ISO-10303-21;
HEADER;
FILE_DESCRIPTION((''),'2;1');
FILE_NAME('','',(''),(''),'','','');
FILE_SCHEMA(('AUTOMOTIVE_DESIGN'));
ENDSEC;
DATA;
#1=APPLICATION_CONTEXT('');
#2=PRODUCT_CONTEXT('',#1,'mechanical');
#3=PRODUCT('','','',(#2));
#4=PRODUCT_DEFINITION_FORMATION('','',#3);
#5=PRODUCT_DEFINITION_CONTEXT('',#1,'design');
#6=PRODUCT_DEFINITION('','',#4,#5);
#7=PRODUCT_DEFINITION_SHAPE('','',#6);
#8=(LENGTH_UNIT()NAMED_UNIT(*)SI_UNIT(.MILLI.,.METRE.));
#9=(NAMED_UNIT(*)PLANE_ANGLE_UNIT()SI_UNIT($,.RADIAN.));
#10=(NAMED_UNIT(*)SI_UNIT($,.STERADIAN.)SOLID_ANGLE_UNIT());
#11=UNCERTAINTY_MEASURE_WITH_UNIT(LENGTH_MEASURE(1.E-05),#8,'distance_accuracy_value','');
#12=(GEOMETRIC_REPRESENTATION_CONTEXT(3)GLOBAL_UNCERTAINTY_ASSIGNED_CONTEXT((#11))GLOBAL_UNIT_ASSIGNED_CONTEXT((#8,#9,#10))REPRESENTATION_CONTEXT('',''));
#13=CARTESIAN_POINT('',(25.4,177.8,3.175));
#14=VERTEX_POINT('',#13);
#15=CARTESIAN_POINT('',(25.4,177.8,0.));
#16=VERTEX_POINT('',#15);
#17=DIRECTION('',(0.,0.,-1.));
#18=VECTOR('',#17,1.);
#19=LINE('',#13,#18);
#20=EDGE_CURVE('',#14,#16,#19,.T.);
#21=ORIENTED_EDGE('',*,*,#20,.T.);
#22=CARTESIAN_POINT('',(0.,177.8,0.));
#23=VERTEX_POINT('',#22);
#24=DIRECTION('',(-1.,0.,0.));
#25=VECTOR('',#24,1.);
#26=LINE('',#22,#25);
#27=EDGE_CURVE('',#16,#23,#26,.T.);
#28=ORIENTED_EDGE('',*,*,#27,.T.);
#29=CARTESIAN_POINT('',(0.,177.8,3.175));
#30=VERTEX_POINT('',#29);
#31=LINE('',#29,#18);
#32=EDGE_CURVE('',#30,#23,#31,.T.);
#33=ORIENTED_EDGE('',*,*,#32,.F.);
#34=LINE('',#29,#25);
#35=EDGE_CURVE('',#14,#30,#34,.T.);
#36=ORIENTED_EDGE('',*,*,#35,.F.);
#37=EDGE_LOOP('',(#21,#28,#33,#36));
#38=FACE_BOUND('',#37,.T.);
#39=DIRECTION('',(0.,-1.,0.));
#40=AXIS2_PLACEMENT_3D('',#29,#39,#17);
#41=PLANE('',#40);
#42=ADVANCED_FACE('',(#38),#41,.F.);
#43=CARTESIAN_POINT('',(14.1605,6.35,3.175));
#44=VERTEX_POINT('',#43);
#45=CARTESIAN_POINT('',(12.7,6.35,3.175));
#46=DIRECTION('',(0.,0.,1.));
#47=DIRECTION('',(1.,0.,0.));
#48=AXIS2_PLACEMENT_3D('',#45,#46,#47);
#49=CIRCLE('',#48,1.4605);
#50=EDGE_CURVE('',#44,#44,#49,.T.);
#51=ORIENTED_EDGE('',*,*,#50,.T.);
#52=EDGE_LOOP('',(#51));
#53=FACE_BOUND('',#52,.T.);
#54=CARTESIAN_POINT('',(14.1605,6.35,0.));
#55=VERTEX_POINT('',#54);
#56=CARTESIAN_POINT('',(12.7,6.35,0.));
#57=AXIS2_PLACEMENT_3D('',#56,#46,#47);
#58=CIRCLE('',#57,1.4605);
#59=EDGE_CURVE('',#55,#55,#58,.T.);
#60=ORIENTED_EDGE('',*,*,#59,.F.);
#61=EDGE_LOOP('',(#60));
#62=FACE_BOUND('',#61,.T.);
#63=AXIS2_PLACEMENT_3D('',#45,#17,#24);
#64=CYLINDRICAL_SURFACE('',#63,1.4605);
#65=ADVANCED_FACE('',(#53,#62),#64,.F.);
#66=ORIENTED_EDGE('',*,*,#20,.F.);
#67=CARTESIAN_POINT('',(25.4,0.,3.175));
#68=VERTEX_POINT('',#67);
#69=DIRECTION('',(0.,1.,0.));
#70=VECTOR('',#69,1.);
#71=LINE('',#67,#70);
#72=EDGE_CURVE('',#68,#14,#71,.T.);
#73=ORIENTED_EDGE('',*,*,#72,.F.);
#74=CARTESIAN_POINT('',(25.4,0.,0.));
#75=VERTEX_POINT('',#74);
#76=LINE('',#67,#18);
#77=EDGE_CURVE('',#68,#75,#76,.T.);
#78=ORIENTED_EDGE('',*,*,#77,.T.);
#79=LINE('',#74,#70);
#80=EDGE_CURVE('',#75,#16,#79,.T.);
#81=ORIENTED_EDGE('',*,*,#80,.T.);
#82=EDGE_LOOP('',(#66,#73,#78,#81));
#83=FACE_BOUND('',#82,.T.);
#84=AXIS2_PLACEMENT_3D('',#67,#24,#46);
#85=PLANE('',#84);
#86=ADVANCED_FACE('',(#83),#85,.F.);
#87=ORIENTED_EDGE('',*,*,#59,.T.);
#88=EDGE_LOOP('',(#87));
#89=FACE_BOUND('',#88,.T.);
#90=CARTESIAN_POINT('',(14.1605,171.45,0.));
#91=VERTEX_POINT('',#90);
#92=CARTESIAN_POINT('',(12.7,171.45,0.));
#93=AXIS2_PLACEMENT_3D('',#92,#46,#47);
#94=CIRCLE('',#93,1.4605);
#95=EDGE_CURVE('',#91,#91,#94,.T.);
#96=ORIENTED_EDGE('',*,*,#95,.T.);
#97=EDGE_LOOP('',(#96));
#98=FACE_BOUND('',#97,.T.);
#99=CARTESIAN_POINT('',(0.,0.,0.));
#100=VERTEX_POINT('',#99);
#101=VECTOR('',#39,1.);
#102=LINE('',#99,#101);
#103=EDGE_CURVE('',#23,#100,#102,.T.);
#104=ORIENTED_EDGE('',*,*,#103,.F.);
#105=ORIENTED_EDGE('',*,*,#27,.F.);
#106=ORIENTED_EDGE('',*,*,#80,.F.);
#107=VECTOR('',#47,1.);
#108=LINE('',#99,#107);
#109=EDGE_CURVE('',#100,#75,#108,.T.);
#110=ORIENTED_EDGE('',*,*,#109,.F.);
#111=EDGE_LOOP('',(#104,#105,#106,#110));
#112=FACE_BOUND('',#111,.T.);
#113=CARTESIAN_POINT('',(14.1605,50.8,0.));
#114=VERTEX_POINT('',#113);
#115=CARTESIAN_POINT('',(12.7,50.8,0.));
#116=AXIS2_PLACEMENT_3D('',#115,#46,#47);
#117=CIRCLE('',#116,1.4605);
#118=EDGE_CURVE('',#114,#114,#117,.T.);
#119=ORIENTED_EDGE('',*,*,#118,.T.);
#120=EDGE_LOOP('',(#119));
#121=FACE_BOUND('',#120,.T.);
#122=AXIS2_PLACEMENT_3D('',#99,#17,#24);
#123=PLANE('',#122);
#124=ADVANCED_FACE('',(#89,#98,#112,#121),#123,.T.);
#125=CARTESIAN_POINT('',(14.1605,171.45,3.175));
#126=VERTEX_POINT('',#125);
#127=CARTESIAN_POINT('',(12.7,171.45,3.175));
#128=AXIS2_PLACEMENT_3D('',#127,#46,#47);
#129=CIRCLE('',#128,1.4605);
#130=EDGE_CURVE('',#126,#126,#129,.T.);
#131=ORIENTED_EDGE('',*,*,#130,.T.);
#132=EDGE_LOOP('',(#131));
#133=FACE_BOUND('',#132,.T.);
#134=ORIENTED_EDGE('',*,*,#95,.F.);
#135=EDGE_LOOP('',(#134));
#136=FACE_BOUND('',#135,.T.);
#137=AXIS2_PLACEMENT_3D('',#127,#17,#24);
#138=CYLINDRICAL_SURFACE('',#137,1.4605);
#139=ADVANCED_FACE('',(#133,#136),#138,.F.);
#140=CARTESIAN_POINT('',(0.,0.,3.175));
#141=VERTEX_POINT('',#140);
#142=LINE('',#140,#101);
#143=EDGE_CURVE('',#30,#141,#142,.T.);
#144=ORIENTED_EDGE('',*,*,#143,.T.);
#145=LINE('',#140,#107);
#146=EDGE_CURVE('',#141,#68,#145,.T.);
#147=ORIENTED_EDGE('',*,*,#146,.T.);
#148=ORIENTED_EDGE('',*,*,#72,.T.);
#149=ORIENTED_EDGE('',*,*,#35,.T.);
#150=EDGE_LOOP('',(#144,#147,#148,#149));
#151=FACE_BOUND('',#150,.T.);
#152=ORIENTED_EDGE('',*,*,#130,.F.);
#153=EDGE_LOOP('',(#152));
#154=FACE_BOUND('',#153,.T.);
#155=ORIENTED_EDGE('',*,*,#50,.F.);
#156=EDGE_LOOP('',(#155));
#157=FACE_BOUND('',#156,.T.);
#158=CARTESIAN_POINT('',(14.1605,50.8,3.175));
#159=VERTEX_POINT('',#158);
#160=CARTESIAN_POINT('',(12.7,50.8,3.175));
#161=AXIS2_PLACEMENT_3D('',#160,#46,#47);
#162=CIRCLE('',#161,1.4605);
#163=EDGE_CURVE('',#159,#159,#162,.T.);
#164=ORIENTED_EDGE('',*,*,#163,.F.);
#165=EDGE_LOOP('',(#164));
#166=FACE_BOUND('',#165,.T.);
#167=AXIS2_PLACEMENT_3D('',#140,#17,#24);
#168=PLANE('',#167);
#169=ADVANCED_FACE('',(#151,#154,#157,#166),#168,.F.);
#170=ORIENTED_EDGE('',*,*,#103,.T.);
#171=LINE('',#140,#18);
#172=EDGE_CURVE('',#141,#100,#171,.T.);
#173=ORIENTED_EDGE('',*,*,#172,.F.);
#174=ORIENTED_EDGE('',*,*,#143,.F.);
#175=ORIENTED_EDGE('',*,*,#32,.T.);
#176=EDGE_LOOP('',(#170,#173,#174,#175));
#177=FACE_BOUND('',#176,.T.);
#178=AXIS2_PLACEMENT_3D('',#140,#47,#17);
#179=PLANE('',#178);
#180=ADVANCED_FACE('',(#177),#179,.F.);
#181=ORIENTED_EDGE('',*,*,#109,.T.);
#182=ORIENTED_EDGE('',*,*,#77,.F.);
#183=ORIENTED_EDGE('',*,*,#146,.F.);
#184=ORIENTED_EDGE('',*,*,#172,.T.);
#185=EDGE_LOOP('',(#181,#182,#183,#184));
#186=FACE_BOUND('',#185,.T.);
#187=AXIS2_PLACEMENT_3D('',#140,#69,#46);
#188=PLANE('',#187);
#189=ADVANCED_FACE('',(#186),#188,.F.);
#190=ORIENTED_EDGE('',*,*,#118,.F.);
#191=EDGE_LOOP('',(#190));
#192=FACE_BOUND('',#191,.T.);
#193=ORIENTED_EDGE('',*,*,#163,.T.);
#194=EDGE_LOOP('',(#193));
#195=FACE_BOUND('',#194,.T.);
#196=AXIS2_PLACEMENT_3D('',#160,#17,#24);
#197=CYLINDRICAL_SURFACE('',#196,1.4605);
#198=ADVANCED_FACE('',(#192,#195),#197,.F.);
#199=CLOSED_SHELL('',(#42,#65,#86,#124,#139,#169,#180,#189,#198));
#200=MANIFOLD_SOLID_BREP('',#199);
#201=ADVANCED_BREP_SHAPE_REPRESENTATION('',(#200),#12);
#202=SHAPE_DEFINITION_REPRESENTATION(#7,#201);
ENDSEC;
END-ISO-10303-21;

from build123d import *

# Parameters (mm, degrees)
SKETCH2_W           = 25.4
SKETCH2_H           = 177.8
SKETCH2_R           = 1.4605
BOSS_EXTRUDE1_DEPTH = 3.175


with BuildPart() as part:
    # Sketch2 → Boss-Extrude1 (new body)
    with BuildSketch(Plane.XY):
        with Locations((12.7, 88.9)):
            Rectangle(SKETCH2_W, SKETCH2_H)
        with Locations((12.7, 171.45)):
            Circle(SKETCH2_R, mode=Mode.SUBTRACT)
        with Locations((12.7, 50.8)):
            Circle(SKETCH2_R, mode=Mode.SUBTRACT)
        with Locations((12.7, 6.35)):
            Circle(SKETCH2_R, mode=Mode.SUBTRACT)
    extrude(amount=BOSS_EXTRUDE1_DEPTH)


solid = part.part
